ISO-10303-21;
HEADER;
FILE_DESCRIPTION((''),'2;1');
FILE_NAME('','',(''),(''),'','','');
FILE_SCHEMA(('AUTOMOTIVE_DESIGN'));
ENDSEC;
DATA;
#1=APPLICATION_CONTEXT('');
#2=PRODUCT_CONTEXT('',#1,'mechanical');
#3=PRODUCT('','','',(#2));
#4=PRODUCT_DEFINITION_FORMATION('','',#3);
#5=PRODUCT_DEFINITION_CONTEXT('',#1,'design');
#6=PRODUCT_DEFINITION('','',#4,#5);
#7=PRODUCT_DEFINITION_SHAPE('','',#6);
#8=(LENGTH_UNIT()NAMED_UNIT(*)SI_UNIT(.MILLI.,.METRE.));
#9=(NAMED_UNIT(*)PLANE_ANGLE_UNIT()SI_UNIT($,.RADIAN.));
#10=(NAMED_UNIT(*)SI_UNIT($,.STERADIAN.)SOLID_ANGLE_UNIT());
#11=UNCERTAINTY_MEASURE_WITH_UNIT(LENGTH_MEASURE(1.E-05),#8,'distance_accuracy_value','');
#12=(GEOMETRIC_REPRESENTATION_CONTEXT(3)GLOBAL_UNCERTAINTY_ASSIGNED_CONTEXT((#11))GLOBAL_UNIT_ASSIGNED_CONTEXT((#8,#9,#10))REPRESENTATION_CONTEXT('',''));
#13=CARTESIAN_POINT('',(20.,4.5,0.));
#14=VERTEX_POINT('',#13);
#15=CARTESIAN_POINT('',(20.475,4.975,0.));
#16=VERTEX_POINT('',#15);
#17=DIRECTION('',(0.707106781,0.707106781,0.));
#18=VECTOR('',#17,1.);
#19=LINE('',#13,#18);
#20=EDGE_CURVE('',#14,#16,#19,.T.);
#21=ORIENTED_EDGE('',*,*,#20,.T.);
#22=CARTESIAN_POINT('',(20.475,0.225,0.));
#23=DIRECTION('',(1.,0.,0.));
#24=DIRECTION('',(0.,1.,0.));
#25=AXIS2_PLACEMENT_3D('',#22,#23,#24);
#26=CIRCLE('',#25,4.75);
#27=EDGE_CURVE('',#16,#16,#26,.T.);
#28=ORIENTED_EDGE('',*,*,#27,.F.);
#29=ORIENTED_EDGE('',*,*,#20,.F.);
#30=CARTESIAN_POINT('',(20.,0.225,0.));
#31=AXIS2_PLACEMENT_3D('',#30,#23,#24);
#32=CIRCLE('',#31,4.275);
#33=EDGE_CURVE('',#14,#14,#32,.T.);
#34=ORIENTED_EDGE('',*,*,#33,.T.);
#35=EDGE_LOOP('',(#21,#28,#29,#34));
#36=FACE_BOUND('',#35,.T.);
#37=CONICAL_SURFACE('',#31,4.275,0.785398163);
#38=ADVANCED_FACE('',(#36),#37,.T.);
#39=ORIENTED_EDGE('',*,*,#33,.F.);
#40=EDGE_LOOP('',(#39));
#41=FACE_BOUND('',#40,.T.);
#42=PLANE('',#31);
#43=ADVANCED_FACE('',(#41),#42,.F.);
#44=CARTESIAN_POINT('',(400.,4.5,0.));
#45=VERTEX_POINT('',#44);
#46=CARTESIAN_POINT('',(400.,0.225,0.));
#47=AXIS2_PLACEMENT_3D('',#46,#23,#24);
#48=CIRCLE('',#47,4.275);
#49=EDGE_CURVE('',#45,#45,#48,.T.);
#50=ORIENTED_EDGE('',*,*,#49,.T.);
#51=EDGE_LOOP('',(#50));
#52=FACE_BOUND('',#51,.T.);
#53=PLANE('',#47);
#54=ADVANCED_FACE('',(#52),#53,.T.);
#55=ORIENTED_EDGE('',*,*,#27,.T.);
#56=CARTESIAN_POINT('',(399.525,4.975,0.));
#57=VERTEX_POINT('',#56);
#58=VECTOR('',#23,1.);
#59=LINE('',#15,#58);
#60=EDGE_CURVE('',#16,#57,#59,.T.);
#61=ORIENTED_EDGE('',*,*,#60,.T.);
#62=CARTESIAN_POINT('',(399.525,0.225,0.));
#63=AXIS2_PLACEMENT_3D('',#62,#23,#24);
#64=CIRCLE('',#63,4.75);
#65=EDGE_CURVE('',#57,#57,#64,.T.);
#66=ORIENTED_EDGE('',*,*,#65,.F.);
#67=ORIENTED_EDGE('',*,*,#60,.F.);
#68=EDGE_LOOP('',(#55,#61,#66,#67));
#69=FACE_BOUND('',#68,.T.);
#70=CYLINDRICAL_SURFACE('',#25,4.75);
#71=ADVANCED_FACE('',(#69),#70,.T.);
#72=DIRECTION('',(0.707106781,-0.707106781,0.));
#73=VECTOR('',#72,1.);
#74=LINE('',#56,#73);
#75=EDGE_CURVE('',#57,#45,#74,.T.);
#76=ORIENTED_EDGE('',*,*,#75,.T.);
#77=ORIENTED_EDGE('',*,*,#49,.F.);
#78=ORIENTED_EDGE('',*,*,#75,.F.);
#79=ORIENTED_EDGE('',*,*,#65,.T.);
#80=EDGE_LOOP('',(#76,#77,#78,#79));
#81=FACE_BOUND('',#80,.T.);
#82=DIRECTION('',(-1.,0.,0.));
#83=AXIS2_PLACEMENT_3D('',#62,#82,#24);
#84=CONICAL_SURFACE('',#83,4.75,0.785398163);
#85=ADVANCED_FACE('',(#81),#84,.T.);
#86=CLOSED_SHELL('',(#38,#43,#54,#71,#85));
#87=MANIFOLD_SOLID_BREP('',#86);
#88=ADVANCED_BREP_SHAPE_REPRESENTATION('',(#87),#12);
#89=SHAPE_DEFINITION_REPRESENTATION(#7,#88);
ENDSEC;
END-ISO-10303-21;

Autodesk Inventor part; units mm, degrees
ref_plane "YZ Plane" through (0, 0, 0) normal (1, 0, 0) x (0, 1, 0)
ref_plane "XZ Plane" through (0, 0, 0) normal (0, 1, 0) x (-1, 0, 0)
ref_plane "XY Plane" through (0, 0, 0) normal (0, 0, 1) x (1, 0, 0)
sketch "Sketch_3" plane through (0, 0, 0) normal (0, 0, 1) x (1, 0, 0)
  line L0 (400, 0.225) -> (20, 0.225)
  line L1 (20, 0.225) -> (20, 4.5)
  line L2 (20, 4.5) -> (20.475, 4.975)
  line L3 (20.475, 4.975) -> (399.525, 4.975)
  line L4 (399.525, 4.975) -> (400, 4.5)
  line L5 (400, 4.5) -> (400, 0.225)
  line L6 (400, 0.225) -> (20, 0.225)
  dimension "d1" = 380
revolve "Revolution1" add sketch "Sketch_3" angle 360 about axis through (400, 0.225, 0) along (1, 0, 0)
properties part number "PSFG10-400"
